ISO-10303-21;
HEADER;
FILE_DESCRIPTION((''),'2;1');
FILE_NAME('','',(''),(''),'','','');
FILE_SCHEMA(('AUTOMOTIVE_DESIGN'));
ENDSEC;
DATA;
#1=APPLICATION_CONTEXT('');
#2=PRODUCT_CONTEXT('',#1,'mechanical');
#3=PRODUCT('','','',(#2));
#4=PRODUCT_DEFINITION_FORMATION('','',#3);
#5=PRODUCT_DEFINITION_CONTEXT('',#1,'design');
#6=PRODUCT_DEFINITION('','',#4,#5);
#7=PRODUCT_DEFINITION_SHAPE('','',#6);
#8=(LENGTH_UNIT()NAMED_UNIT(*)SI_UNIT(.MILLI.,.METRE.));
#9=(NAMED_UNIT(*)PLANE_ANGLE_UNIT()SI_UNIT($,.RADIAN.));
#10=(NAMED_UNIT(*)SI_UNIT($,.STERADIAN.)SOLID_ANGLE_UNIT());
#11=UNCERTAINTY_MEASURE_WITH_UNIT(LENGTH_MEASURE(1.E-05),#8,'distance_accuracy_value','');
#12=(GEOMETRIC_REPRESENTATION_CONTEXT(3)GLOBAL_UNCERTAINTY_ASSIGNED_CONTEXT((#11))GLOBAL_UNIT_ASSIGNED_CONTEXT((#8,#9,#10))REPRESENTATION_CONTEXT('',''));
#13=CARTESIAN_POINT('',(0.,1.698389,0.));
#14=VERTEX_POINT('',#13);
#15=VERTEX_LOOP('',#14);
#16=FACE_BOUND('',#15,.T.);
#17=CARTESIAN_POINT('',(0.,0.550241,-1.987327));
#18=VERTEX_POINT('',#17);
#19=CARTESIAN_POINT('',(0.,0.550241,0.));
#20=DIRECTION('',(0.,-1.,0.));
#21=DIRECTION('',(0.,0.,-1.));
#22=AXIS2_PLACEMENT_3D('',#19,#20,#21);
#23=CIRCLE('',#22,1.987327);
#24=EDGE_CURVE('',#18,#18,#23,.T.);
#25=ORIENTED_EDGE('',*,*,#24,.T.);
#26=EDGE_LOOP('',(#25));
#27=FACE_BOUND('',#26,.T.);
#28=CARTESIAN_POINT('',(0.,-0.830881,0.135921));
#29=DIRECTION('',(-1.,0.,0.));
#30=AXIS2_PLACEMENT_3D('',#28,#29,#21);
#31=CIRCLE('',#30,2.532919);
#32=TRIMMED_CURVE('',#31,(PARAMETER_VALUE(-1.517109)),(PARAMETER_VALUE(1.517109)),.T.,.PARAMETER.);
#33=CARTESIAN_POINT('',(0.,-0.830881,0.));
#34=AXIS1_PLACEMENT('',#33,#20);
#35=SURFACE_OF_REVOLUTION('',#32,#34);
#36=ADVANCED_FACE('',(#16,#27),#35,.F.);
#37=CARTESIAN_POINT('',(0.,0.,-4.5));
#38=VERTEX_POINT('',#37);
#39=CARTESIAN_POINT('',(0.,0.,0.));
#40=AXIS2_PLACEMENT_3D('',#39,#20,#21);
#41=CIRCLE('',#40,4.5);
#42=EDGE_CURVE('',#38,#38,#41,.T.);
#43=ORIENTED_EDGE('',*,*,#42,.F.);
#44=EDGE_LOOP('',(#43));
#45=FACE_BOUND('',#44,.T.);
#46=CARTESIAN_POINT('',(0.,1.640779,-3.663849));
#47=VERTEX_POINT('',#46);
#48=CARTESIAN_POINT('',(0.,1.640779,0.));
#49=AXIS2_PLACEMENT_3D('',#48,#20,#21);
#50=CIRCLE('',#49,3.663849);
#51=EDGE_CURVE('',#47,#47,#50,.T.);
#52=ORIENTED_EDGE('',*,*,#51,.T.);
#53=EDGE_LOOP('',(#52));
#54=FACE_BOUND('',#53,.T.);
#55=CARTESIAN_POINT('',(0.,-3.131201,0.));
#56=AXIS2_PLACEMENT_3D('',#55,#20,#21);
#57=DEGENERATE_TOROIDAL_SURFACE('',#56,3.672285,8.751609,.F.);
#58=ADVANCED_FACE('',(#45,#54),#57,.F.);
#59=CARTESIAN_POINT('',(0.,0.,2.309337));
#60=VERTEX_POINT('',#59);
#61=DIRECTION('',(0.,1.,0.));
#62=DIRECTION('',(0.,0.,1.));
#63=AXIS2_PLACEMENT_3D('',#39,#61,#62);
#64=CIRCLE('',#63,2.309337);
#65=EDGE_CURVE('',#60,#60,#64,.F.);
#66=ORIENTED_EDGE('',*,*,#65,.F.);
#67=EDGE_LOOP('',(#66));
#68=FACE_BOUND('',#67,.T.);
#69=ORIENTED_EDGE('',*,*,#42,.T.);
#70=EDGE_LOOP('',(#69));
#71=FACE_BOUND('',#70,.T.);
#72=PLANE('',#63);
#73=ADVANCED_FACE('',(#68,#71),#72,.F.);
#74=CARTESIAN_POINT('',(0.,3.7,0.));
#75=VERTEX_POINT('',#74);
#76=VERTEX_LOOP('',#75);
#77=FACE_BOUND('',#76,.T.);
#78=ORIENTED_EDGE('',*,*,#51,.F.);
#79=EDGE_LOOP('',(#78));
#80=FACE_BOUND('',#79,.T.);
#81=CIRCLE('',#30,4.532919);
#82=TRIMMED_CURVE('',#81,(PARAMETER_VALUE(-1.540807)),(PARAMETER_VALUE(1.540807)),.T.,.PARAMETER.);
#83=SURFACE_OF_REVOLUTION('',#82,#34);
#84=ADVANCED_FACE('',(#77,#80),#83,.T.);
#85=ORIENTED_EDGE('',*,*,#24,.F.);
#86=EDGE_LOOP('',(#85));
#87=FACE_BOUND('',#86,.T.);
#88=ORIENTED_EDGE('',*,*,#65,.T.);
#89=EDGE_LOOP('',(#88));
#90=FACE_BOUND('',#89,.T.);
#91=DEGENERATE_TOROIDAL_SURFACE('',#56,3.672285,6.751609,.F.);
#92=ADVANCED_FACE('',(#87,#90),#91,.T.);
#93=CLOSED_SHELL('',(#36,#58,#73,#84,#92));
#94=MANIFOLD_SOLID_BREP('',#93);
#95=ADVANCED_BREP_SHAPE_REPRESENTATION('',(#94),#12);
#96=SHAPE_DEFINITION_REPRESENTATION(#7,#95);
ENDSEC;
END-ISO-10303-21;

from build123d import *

# Parameters (mm, degrees)
SHELL1_T = -2


with BuildPart() as part:
    # Sketch4 → Revolve1 (revolve)
    with BuildSketch(Plane(origin=(0, 0, 0), x_dir=(0, 0, -1), z_dir=(1, 0, 0)), mode=Mode.PRIVATE) as revolve1_sk:
        with BuildLine():
            Line((0, 0), (-4.5, 0))
            ThreePointArc((-4.5, 0), (-4.12520214, 0.842444115), (-3.663849207, 1.640779253))
            ThreePointArc((-3.663849207, 1.640779253), (-2.085005391, 3.120681244), (0, 3.7))
            Line((0, 3.7), (0, 0))
        make_face()
    revolve(revolve1_sk.sketch.rotate(Axis((0, 0, 0), (0, 1, 0)), 180), axis=Axis((0, 0, 0), (0, 1, 0)))

    # Shell1
    shell1_openings = [part.faces().sort_by_distance(p)[0] for p in [
        (0, 0, 0),
    ]]
    offset(amount=SHELL1_T, openings=shell1_openings, kind=Kind.INTERSECTION)


solid = part.part
